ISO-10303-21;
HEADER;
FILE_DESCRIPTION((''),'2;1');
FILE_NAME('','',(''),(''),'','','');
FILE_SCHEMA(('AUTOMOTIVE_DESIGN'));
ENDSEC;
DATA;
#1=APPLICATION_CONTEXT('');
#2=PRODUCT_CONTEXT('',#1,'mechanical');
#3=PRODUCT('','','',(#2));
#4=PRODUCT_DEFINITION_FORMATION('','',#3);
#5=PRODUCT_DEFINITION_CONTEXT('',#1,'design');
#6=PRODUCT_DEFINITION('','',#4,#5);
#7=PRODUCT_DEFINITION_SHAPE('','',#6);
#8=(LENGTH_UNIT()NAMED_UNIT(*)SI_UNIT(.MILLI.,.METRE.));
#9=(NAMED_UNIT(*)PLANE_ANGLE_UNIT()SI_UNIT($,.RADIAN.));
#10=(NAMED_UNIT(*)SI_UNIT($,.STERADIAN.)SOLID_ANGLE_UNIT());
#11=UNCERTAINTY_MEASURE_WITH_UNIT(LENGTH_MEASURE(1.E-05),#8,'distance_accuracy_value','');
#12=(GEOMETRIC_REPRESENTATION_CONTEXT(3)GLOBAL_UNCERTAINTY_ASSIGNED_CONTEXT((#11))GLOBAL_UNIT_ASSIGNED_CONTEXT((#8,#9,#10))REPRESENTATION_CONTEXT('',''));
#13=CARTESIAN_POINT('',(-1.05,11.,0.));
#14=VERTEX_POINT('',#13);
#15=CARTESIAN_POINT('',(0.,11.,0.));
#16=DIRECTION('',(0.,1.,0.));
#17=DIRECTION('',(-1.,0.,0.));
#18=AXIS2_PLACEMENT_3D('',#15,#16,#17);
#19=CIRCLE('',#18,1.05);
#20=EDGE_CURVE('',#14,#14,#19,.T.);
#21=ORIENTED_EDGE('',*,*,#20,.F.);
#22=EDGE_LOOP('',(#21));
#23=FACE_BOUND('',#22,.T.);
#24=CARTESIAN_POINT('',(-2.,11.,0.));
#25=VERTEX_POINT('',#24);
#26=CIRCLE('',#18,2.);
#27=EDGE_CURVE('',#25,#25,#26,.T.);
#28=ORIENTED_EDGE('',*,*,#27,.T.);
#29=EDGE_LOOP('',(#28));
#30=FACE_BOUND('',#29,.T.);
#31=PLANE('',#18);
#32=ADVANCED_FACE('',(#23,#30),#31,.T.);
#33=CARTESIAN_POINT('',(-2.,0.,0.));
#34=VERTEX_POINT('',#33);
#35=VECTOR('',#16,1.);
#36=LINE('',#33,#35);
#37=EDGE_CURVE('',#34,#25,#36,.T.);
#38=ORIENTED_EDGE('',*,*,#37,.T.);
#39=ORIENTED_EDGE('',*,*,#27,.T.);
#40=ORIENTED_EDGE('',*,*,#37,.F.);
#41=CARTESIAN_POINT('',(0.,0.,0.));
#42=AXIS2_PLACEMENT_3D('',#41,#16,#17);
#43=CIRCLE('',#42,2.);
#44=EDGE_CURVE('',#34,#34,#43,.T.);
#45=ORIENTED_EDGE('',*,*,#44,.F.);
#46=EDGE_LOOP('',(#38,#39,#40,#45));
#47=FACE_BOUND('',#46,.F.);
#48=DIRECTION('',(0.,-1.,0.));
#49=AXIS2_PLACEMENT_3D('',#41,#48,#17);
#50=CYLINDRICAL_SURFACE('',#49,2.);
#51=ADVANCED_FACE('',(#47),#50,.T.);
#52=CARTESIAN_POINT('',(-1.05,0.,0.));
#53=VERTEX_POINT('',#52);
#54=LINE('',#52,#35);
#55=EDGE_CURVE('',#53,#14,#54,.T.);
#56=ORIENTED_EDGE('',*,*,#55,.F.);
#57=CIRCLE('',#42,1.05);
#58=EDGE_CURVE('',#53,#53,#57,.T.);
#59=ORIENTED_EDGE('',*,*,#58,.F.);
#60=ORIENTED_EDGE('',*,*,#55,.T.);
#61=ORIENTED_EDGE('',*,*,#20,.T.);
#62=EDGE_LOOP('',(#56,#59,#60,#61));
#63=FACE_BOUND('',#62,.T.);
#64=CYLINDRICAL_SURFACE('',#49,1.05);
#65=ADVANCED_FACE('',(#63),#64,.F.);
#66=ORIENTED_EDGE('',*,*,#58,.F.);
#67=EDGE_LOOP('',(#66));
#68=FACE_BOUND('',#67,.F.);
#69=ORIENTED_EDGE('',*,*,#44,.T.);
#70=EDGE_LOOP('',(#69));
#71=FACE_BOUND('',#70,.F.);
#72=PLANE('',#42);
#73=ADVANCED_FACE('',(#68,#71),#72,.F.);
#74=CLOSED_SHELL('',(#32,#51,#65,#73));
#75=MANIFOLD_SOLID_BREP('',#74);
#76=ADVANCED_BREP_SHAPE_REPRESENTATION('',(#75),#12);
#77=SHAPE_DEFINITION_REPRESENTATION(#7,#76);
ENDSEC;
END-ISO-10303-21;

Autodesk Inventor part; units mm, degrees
ref_plane "YZ Plane" through (0, 0, 0) normal (1, 0, 0) x (0, 1, 0)
ref_plane "XZ Plane" through (0, 0, 0) normal (0, 1, 0) x (-1, 0, 0)
ref_plane "XY Plane" through (0, 0, 0) normal (0, 0, 1) x (1, 0, 0)
sketch "Skizze1" plane through (0, 0, 0) normal (0, 1, 0) x (-1, 0, 0)
  circle A0 centre (0, 0) radius 1.05
  circle A1 centre (0, 0) radius 2
  dimension "d1" = 2.1
  dimension "d2" = 4
extrude "Extrusion1" add sketch "Skizze1" along normal blind 11
properties part number "ADC_Zylinder"
